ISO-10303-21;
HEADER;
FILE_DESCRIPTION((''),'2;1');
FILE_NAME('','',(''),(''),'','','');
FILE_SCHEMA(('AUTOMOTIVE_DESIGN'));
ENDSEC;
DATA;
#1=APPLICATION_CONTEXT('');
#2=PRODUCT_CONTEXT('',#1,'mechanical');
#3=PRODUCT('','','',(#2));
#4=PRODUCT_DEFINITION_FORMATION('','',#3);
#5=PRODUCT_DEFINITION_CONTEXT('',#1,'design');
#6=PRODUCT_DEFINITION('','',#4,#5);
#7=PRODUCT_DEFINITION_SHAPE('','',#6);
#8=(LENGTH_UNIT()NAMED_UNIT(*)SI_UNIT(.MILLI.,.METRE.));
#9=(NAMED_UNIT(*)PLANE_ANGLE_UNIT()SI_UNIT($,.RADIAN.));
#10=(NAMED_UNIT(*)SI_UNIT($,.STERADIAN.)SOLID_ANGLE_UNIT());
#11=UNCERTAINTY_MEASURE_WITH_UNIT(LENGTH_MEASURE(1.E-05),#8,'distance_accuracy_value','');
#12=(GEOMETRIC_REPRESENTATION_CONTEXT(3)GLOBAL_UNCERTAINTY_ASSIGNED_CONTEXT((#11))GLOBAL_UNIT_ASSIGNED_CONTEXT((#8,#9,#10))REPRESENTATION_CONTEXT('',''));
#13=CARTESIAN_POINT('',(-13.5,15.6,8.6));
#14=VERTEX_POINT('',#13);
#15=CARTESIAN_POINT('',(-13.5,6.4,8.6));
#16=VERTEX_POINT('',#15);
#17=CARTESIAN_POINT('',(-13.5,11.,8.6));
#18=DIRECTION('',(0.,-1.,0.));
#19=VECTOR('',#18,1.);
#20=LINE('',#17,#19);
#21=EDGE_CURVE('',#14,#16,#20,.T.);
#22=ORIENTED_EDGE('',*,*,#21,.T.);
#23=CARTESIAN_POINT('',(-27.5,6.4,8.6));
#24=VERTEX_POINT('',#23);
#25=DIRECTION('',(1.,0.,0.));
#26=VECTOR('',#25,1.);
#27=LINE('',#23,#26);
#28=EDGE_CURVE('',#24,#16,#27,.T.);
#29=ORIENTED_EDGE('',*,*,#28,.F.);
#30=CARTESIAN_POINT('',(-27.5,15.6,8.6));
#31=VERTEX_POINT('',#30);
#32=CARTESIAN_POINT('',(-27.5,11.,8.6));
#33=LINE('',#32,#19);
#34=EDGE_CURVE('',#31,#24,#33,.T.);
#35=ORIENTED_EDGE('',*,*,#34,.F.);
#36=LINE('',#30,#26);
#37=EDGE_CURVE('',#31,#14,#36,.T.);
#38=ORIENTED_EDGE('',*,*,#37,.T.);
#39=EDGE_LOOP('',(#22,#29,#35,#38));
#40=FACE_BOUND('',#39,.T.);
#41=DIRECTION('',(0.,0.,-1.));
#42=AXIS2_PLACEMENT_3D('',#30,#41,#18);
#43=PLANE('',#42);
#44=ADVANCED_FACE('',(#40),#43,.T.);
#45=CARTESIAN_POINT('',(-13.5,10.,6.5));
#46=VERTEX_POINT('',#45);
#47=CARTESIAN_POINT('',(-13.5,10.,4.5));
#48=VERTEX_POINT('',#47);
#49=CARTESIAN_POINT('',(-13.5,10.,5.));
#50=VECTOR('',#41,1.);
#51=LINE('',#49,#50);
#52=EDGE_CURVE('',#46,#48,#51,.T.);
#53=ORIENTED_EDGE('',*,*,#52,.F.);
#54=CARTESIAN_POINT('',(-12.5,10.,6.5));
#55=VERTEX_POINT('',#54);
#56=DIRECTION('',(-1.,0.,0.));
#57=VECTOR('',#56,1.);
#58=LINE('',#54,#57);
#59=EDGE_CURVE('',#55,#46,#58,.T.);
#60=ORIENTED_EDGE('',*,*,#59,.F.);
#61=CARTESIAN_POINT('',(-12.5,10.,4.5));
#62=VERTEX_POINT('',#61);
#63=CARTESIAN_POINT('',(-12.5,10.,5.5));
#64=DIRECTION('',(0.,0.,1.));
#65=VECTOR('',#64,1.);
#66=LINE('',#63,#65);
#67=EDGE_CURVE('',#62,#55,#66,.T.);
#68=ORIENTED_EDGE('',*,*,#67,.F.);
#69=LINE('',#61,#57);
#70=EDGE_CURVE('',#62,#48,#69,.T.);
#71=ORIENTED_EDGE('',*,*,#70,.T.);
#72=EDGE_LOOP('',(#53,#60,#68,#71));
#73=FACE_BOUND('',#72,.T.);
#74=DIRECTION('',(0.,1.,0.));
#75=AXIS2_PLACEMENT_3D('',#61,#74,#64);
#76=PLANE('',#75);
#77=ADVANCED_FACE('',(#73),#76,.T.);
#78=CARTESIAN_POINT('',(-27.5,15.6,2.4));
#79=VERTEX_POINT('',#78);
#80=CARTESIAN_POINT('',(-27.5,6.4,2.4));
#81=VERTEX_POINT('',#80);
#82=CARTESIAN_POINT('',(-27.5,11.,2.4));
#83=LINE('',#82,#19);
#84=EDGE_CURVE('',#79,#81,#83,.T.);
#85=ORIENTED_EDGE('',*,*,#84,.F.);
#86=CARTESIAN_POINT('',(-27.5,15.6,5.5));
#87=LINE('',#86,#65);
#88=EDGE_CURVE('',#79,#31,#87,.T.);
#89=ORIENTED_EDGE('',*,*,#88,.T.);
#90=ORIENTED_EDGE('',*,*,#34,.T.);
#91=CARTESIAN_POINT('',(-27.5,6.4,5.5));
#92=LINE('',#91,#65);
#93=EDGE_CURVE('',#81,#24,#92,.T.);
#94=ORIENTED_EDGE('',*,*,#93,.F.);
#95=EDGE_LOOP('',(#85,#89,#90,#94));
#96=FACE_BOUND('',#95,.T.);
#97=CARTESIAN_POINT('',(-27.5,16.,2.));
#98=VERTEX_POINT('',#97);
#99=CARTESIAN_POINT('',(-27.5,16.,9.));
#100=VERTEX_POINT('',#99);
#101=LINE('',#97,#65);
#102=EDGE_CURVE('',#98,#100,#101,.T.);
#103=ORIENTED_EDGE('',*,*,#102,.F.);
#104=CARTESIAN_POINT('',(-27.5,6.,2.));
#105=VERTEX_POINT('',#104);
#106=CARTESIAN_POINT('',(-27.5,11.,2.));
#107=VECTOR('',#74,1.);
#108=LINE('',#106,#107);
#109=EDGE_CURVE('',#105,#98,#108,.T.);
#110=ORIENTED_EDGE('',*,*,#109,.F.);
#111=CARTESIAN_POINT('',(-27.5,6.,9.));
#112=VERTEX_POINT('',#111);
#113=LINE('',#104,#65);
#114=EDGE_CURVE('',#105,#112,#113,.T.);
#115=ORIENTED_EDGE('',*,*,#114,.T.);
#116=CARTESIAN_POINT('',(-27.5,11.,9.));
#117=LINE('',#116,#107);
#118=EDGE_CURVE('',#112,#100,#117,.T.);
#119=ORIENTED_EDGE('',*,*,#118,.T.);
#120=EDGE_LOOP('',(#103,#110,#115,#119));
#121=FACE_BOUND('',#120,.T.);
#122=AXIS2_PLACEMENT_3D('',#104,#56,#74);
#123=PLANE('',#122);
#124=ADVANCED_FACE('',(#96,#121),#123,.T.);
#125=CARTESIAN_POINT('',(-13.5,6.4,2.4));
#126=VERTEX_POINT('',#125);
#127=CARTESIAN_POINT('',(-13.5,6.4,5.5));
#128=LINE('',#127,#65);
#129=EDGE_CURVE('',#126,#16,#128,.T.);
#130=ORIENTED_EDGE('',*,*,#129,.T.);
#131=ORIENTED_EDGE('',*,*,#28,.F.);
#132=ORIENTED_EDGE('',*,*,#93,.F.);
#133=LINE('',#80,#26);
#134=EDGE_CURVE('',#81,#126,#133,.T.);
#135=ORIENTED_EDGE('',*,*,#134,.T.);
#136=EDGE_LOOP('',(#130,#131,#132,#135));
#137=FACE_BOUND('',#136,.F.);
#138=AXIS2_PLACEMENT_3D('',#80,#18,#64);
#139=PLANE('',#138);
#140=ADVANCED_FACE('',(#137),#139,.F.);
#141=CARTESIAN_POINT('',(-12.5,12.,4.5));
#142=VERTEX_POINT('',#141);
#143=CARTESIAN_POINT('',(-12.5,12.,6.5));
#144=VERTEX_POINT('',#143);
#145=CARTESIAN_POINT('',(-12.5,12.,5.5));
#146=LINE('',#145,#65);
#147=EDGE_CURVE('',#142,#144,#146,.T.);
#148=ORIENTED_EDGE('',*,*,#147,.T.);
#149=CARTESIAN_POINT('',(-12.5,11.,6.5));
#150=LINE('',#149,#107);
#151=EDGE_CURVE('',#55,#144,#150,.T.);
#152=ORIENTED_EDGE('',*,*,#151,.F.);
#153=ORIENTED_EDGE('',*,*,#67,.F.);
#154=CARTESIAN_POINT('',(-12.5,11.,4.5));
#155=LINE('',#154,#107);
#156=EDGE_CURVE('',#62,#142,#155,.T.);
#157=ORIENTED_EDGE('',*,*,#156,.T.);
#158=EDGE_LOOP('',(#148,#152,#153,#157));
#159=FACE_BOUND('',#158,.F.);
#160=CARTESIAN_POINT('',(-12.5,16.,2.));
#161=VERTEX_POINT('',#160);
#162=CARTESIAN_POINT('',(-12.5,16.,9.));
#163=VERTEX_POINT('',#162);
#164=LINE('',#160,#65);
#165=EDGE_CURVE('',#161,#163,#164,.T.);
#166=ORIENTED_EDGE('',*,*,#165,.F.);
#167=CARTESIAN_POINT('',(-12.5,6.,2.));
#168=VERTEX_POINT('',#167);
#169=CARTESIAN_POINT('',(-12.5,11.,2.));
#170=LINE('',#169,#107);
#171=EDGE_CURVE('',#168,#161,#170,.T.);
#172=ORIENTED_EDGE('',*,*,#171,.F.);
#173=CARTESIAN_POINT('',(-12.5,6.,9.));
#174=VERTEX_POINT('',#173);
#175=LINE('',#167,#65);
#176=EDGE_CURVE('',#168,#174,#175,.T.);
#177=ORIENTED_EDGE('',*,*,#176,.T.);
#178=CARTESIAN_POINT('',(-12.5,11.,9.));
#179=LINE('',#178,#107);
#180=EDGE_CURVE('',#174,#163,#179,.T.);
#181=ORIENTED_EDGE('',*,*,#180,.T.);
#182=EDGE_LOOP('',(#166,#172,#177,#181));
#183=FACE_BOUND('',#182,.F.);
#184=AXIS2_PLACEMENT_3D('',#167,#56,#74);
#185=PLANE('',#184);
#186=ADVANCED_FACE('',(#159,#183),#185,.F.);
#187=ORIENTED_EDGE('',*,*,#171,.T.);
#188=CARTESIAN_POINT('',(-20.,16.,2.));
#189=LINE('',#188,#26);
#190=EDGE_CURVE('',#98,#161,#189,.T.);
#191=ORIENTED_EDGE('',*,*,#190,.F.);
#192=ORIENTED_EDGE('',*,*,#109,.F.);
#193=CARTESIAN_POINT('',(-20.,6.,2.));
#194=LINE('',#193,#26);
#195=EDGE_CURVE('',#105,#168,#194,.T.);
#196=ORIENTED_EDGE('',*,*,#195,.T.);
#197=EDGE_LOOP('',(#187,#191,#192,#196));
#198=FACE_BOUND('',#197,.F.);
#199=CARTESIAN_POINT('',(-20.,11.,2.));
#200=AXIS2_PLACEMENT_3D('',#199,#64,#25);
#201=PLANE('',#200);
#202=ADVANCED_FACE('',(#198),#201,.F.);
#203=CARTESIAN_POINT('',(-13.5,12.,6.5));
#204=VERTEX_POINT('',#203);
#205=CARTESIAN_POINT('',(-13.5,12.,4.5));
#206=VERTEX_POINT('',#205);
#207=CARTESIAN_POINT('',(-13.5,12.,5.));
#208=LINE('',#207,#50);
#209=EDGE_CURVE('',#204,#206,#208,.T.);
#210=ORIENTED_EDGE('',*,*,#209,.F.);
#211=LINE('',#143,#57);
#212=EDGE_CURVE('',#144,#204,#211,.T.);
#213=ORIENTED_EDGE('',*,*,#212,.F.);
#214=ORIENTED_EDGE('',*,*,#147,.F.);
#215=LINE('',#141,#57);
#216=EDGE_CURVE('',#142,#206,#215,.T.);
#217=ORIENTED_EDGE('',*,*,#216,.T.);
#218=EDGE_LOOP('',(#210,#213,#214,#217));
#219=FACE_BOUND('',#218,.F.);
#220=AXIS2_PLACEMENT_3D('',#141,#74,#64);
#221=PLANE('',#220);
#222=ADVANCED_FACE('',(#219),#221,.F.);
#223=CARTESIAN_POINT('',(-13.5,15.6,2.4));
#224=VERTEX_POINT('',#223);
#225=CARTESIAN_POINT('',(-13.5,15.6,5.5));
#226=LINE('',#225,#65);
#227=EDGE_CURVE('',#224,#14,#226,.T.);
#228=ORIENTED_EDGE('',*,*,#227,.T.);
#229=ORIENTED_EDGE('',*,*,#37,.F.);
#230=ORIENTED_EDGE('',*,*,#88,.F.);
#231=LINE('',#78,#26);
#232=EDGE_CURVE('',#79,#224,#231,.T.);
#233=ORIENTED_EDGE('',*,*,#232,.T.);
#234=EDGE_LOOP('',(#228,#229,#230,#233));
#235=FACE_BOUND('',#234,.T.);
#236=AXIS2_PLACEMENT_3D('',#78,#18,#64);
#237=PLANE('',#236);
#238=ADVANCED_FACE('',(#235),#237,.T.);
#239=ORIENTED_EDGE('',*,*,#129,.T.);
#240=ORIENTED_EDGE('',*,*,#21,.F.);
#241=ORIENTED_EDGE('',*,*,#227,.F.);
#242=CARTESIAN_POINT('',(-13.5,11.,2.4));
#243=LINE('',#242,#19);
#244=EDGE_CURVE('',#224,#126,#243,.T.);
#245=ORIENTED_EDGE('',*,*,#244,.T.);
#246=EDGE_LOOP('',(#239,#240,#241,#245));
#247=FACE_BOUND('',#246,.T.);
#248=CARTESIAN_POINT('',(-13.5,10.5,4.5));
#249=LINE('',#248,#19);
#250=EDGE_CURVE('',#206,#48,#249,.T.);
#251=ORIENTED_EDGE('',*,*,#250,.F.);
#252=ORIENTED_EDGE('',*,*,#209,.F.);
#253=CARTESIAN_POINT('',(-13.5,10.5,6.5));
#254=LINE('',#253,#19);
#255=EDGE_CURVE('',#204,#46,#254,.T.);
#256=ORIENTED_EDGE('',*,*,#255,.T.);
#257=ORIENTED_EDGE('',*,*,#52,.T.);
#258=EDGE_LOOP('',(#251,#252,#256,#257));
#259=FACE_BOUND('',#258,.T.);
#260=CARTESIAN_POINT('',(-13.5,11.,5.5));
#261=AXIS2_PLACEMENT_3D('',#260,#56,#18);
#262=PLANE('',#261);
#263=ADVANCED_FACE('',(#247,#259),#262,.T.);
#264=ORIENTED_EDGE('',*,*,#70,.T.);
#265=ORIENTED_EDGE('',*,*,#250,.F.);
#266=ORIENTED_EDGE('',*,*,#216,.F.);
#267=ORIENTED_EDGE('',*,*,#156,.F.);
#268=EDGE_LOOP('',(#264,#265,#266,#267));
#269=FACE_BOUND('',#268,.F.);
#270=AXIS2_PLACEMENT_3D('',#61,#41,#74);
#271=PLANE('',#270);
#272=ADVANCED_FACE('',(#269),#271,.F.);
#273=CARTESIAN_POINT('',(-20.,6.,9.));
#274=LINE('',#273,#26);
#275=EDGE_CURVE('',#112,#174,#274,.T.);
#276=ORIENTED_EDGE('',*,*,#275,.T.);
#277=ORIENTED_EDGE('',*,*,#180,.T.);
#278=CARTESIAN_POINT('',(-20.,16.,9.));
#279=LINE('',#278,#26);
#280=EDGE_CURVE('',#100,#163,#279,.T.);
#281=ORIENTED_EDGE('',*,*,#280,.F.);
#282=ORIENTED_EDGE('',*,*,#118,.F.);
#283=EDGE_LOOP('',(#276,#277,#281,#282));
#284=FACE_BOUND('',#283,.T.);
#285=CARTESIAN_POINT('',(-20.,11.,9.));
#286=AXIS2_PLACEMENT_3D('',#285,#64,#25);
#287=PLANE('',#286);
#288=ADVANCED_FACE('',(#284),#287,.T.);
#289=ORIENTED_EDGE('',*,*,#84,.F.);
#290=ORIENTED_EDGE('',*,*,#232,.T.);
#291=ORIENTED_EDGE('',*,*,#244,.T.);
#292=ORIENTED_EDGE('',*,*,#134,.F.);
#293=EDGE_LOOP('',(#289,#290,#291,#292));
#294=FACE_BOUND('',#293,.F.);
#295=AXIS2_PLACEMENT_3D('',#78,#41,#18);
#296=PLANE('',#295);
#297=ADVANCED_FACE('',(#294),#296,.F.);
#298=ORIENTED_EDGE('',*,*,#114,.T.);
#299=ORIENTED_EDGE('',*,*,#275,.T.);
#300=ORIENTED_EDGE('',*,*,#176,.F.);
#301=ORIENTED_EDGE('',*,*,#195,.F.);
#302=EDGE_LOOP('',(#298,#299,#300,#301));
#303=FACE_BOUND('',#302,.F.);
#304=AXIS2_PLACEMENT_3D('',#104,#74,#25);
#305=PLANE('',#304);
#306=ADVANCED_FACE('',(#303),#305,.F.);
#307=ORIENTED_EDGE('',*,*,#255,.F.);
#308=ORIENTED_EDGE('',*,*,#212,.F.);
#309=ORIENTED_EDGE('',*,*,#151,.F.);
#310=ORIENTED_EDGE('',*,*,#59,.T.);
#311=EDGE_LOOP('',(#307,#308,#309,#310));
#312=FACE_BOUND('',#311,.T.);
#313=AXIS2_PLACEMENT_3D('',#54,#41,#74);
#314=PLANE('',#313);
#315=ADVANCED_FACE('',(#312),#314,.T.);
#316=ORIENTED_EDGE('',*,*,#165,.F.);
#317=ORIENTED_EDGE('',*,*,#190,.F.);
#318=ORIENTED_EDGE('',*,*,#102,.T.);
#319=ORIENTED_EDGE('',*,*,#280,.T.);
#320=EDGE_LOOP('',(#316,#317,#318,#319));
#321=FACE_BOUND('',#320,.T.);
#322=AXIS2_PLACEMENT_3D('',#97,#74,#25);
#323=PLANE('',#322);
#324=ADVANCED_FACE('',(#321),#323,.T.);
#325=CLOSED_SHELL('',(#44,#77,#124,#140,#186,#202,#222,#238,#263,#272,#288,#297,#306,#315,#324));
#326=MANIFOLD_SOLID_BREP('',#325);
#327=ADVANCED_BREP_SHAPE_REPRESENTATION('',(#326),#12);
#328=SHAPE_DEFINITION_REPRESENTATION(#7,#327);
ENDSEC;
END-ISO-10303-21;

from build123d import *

# Parameters (mm, degrees)
SKETCH133_W     = 15
SKETCH133_H     = 10
PAD068_DEPTH    = 7
SKETCH134_W     = 9.2
SKETCH134_H     = 6.2
POCKET056_DEPTH = 14
SKETCH135_W     = 2
SKETCH135_H     = 2
POCKET057_DEPTH = 5


with BuildPart() as part:
    # Sketch133 → Pad068 (new body)
    with BuildSketch(Plane.XY):
        Rectangle(SKETCH133_W, SKETCH133_H)
    extrude(amount=PAD068_DEPTH)

    # Sketch134 (on Face4 of Pad068) → Pocket056 (cut)
    with BuildSketch(Plane(origin=(-7.5, 0, 0), x_dir=(0, -1, 0), z_dir=(-1, 0, 0))):
        with Locations((0, 3.5)):
            Rectangle(SKETCH134_W, SKETCH134_H)
    extrude(amount=-POCKET056_DEPTH, mode=Mode.SUBTRACT)

    # Sketch135 (on Face3 of Pocket056) → Pocket057 (cut)
    with BuildSketch(Plane.YZ.offset(7.5)):
        with Locations((0, 3.5)):
            Rectangle(SKETCH135_W, SKETCH135_H)
    extrude(amount=-POCKET057_DEPTH, mode=Mode.SUBTRACT)


with BuildPart() as part_1:
    # Body009 placement: moved
    add(part.part.moved(Location((-20, 11, 2))))


solid = part_1.part
